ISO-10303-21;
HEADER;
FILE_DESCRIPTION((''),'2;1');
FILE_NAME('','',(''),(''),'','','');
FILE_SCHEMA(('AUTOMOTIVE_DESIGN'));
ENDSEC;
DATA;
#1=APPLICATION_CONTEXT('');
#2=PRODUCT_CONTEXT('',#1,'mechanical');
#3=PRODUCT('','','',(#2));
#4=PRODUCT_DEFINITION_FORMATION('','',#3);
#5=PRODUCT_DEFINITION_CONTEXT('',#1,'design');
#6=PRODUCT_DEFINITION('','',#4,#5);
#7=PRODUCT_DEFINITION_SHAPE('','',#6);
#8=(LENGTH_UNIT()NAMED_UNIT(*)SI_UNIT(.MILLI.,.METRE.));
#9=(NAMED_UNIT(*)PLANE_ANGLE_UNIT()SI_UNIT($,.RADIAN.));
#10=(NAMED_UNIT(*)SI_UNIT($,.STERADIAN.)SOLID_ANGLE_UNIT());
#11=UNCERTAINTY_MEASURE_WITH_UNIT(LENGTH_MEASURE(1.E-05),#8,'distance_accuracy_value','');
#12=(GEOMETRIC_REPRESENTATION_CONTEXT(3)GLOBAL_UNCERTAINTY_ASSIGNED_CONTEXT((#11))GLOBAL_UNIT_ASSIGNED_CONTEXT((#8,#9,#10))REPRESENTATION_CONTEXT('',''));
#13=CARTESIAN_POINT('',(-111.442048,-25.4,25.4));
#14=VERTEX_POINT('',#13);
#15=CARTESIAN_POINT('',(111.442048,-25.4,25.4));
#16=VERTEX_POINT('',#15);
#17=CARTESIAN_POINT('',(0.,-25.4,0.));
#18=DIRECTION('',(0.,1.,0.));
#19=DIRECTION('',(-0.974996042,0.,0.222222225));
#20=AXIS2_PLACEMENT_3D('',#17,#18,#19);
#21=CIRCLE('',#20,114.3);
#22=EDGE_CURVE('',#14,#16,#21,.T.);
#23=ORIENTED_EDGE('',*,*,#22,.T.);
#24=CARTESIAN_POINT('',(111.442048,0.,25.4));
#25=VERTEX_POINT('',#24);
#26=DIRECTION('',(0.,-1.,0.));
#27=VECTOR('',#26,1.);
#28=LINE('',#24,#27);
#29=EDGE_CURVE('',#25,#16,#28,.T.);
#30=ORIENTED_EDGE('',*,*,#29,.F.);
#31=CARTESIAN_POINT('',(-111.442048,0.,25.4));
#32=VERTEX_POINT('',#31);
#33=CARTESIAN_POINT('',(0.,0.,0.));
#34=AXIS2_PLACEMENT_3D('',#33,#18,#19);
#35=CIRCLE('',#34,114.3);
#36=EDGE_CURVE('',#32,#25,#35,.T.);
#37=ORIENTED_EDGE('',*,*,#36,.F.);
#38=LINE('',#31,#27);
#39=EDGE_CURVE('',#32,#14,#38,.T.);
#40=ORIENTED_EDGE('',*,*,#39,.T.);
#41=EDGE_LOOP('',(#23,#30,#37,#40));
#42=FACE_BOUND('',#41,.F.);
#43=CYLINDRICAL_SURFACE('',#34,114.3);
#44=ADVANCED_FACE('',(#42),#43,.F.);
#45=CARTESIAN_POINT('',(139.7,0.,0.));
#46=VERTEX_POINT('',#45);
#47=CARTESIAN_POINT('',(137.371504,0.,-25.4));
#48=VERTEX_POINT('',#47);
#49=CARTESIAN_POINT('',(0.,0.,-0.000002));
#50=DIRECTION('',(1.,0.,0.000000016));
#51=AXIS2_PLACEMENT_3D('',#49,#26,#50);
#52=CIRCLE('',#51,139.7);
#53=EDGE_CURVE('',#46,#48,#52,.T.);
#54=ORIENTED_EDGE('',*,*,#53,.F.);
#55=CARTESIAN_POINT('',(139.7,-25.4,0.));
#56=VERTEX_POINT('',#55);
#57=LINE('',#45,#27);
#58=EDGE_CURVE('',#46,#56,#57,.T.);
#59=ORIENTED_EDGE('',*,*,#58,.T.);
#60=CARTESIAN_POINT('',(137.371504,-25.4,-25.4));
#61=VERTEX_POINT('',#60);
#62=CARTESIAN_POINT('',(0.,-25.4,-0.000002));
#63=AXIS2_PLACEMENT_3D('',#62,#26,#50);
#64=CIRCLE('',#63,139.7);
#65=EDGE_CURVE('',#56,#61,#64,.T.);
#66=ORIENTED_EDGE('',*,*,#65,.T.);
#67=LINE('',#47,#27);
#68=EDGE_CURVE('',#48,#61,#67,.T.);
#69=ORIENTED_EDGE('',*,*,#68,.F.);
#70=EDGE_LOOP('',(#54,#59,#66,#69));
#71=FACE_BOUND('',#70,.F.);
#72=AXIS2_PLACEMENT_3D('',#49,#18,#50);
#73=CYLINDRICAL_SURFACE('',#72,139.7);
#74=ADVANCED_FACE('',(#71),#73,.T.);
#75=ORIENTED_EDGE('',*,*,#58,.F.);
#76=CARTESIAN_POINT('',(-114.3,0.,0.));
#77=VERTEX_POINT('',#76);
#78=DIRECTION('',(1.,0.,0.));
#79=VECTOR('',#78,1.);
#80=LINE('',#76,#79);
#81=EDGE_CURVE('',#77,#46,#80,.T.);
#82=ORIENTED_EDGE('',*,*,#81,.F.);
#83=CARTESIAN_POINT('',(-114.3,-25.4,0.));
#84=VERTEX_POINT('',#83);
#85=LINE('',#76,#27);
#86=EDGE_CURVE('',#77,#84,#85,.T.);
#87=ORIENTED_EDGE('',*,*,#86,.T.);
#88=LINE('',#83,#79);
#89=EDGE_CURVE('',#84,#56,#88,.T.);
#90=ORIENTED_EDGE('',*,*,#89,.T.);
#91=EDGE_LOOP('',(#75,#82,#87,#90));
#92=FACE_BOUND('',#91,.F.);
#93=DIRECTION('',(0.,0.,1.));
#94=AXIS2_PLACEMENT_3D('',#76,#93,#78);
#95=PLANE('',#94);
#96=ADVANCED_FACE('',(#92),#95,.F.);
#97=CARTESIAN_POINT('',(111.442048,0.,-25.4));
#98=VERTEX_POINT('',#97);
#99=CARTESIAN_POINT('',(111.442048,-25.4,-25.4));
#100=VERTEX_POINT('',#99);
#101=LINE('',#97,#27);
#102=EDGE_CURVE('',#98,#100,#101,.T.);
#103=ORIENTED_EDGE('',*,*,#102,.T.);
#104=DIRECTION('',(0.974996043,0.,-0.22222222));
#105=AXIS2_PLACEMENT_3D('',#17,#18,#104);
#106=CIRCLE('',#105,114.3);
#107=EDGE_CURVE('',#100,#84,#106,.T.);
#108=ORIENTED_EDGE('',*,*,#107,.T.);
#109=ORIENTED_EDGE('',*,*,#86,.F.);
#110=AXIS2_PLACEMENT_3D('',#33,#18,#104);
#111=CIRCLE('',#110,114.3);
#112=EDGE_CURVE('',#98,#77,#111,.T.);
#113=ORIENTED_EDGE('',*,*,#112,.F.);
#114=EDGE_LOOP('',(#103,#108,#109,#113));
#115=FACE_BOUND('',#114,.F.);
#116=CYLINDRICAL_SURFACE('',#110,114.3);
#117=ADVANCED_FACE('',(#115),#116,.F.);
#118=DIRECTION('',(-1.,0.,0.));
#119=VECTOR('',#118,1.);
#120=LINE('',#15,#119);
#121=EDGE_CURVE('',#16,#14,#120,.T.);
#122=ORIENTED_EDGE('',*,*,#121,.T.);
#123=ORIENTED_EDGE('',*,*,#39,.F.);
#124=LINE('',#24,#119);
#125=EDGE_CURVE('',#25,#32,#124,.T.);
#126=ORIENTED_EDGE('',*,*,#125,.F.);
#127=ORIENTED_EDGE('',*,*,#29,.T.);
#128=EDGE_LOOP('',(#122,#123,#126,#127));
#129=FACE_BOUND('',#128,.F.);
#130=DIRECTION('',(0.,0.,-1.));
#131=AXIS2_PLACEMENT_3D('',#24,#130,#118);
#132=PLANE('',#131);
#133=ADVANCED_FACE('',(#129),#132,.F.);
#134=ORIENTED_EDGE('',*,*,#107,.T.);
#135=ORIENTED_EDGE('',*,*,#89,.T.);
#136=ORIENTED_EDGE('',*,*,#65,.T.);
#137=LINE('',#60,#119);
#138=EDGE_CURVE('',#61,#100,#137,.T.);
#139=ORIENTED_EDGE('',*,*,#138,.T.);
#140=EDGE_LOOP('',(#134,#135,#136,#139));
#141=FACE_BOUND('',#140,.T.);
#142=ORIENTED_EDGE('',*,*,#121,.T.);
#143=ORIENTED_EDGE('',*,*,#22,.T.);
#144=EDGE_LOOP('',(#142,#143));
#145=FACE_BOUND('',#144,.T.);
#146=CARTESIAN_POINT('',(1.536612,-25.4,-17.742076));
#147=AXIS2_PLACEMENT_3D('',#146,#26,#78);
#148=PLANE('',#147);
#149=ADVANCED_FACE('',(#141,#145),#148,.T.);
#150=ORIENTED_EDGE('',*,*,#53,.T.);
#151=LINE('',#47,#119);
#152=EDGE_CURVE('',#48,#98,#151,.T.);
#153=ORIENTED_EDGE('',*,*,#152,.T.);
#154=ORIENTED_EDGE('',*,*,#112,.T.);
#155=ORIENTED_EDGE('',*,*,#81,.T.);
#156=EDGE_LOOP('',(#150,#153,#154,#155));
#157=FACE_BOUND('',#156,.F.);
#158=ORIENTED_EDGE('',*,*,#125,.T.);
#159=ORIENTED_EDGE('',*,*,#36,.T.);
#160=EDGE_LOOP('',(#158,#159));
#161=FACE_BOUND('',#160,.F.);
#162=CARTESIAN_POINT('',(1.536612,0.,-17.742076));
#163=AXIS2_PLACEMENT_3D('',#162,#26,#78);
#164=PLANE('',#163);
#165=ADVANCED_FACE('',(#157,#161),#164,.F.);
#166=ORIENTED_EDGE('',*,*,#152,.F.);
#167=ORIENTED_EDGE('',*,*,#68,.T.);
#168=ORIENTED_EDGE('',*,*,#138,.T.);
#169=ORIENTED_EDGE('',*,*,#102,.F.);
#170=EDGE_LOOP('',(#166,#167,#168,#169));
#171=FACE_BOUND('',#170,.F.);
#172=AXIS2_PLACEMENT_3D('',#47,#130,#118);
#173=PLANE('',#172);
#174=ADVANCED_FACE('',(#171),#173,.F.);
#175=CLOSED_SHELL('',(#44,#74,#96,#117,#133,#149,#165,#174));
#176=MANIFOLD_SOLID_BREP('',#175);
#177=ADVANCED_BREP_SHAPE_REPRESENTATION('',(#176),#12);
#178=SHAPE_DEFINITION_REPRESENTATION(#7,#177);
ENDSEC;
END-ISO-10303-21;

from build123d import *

# Parameters (mm, degrees)
F1_DEPTH = 25.4


with BuildPart() as f1:
    # F0 (on Front) → F1 (new body)
    with BuildSketch(Plane.XZ):
        with BuildLine():
            Line((-114.3, 0), (139.7, 0))
            ThreePointArc((139.7, 0), (-139.116658, 12.753253), (137.371504, -25.4))
            Line((137.371504, -25.4), (111.442048, -25.4))
            ThreePointArc((111.442048, -25.4), (-12.78014, -113.583265), (-114.3, 0))
        make_face()
        with BuildLine():
            ThreePointArc((-111.442048, 25.4), (0, 114.3), (111.442048, 25.4))
            Line((111.442048, 25.4), (-111.442048, 25.4))
        make_face(mode=Mode.SUBTRACT)
    extrude(amount=F1_DEPTH)


solid = f1.part
